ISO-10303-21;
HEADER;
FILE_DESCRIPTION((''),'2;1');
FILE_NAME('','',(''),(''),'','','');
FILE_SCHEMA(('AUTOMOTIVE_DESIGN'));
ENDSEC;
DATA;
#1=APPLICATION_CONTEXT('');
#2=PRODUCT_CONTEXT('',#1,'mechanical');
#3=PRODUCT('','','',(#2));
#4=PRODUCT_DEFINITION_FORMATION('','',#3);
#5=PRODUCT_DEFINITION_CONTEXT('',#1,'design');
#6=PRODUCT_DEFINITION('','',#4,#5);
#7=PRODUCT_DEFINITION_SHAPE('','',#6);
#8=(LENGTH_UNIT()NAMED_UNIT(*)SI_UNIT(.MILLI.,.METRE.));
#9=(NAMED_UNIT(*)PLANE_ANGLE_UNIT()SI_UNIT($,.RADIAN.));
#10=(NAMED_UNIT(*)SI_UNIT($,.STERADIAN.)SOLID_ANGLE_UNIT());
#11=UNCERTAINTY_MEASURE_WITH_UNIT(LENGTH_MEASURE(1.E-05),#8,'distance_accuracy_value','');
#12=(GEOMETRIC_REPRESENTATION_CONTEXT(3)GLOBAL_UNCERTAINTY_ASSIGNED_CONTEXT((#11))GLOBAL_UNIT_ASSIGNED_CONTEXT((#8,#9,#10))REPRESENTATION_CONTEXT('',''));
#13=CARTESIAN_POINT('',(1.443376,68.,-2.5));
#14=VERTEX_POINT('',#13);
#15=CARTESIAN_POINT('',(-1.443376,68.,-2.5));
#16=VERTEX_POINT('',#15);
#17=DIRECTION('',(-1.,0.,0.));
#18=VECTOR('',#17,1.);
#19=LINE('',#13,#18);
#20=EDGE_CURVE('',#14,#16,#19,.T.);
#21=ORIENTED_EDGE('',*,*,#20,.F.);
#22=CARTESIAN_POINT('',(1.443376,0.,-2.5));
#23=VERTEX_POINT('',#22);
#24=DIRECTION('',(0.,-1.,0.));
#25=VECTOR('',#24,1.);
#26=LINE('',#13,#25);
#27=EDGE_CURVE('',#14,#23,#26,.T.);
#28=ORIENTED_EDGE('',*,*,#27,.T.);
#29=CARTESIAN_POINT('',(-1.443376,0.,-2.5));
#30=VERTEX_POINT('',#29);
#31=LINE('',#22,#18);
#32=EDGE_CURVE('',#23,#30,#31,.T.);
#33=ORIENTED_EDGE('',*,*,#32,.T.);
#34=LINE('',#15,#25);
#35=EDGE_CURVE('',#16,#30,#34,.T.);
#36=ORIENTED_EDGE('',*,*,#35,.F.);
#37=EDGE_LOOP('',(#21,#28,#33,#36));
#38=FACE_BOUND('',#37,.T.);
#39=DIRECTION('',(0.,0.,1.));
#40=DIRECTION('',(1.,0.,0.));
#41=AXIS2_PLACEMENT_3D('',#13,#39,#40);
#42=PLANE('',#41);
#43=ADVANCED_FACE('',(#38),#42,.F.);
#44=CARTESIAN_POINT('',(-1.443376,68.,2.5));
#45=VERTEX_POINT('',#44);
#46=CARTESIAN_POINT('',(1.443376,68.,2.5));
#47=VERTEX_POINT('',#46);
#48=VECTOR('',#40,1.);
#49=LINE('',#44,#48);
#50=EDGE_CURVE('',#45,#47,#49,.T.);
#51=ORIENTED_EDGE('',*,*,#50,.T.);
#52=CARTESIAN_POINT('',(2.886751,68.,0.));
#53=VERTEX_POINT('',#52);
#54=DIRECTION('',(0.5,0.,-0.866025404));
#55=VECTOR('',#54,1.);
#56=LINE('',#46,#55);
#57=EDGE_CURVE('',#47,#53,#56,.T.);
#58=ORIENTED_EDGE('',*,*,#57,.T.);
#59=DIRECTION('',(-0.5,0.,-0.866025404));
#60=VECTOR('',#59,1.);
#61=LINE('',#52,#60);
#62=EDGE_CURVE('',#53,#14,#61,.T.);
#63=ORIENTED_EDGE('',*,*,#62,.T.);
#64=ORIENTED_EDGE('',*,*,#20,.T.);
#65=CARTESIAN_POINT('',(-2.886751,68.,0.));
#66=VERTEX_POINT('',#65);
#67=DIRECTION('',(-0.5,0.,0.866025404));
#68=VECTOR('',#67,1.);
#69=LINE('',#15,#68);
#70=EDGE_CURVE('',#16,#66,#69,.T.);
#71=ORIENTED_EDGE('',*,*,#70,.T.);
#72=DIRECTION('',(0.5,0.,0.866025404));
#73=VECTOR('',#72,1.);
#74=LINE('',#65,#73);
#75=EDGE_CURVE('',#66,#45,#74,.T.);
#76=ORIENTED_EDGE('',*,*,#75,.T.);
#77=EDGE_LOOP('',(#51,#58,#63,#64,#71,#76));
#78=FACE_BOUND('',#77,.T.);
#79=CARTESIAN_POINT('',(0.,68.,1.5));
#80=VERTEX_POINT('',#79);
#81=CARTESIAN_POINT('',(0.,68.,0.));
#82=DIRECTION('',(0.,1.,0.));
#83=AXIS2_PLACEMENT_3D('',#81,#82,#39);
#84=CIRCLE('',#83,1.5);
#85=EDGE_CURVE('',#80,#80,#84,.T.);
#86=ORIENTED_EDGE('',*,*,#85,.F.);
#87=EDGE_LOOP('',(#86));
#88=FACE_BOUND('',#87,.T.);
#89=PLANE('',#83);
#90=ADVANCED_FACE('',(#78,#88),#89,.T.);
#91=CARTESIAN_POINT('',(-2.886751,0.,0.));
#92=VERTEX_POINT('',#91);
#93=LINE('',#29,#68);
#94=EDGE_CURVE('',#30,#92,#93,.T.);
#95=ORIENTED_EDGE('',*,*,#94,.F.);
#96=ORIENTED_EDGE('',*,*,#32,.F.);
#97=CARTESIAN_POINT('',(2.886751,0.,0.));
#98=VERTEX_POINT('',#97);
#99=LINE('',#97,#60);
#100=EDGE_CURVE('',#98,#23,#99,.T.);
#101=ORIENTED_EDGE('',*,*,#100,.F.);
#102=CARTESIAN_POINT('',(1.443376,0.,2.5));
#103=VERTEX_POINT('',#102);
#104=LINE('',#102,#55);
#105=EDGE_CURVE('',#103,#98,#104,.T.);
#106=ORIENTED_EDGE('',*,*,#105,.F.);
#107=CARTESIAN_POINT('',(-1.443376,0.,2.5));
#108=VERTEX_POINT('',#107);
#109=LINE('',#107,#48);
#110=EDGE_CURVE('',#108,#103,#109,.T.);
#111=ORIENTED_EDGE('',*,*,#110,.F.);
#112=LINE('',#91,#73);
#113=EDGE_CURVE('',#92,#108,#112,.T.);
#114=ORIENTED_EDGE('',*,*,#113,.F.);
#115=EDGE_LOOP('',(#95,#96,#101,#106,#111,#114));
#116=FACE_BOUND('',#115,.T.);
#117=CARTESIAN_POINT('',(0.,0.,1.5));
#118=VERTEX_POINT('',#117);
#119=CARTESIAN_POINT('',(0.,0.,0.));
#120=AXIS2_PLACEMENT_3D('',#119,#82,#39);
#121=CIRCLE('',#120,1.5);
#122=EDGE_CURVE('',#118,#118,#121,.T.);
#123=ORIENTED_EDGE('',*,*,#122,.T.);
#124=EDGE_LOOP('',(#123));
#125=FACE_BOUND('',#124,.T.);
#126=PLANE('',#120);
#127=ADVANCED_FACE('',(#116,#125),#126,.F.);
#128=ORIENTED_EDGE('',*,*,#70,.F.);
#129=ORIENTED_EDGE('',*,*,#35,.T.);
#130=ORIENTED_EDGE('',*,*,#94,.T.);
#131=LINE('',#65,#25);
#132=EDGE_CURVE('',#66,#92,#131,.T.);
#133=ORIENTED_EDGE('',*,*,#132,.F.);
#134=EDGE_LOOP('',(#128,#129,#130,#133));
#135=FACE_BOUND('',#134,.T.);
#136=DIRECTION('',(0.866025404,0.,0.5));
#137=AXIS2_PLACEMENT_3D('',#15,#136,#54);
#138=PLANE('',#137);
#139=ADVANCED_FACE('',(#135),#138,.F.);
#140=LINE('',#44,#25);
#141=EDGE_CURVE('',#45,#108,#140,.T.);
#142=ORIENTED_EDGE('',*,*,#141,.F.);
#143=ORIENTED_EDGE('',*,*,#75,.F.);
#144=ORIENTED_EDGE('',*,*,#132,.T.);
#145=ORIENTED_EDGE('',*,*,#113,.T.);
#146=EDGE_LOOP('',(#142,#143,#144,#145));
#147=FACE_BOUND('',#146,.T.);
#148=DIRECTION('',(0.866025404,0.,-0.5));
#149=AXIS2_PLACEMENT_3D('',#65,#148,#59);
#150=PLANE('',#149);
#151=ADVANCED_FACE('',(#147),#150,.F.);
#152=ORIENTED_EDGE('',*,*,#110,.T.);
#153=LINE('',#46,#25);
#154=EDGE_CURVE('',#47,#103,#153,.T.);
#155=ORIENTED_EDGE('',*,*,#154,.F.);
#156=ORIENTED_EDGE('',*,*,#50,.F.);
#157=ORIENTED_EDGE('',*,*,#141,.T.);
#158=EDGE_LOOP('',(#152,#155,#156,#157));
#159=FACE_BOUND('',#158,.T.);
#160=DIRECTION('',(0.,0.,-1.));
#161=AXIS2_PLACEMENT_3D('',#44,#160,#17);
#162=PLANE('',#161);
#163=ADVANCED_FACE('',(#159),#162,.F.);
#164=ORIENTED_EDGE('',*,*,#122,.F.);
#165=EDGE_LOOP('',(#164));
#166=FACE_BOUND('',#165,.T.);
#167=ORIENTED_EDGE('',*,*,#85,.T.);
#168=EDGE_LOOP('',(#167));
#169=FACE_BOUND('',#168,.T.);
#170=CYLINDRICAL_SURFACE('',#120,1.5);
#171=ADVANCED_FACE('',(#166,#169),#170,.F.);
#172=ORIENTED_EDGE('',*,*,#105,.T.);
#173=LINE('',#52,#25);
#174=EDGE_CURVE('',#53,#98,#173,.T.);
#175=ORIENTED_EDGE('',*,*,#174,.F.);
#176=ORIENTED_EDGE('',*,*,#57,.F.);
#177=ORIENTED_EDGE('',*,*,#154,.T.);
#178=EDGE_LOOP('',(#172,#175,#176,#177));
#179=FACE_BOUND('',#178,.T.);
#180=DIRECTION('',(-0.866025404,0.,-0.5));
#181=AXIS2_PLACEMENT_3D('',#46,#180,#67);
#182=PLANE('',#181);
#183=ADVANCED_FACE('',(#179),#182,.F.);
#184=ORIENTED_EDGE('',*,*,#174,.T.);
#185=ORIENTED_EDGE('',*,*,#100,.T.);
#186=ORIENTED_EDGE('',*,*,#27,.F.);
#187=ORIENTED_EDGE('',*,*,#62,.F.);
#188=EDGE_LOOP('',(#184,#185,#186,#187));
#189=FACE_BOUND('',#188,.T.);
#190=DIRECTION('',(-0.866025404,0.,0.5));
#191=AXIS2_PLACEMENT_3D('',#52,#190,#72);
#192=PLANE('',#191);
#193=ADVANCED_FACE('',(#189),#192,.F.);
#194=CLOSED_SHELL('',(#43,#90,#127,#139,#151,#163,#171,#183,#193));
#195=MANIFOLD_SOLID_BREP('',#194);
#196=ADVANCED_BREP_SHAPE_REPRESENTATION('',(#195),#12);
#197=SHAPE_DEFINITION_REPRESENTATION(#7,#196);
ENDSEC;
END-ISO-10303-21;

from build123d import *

# Parameters (mm, degrees)
EXTRUDE_1_DEPTH     = 68
SKETCH_2_R          = 1.5
CUT_EXTRUDE_1_DEPTH = 69


with BuildPart() as part:
    # 草图1 → 凸台-拉伸1 (new body)
    with BuildSketch(Plane(origin=(0, 0, 0), x_dir=(1, 0, 0), z_dir=(0, 1, 0))):
        Polygon((2.886751346, 0), (1.443375673, 2.5), (-1.443375673, 2.5), (-2.886751346, 0), (-1.443375673, -2.5), (1.443375673, -2.5), align=None)
    extrude(amount=EXTRUDE_1_DEPTH)

    # 草图2 → 切除-拉伸1 (cut, through all)
    with BuildSketch(Plane(origin=(0, 68, 0), x_dir=(1, 0, 0), z_dir=(0, 1, 0))):
        Circle(SKETCH_2_R)
    extrude(amount=-CUT_EXTRUDE_1_DEPTH, mode=Mode.SUBTRACT)


solid = part.part
